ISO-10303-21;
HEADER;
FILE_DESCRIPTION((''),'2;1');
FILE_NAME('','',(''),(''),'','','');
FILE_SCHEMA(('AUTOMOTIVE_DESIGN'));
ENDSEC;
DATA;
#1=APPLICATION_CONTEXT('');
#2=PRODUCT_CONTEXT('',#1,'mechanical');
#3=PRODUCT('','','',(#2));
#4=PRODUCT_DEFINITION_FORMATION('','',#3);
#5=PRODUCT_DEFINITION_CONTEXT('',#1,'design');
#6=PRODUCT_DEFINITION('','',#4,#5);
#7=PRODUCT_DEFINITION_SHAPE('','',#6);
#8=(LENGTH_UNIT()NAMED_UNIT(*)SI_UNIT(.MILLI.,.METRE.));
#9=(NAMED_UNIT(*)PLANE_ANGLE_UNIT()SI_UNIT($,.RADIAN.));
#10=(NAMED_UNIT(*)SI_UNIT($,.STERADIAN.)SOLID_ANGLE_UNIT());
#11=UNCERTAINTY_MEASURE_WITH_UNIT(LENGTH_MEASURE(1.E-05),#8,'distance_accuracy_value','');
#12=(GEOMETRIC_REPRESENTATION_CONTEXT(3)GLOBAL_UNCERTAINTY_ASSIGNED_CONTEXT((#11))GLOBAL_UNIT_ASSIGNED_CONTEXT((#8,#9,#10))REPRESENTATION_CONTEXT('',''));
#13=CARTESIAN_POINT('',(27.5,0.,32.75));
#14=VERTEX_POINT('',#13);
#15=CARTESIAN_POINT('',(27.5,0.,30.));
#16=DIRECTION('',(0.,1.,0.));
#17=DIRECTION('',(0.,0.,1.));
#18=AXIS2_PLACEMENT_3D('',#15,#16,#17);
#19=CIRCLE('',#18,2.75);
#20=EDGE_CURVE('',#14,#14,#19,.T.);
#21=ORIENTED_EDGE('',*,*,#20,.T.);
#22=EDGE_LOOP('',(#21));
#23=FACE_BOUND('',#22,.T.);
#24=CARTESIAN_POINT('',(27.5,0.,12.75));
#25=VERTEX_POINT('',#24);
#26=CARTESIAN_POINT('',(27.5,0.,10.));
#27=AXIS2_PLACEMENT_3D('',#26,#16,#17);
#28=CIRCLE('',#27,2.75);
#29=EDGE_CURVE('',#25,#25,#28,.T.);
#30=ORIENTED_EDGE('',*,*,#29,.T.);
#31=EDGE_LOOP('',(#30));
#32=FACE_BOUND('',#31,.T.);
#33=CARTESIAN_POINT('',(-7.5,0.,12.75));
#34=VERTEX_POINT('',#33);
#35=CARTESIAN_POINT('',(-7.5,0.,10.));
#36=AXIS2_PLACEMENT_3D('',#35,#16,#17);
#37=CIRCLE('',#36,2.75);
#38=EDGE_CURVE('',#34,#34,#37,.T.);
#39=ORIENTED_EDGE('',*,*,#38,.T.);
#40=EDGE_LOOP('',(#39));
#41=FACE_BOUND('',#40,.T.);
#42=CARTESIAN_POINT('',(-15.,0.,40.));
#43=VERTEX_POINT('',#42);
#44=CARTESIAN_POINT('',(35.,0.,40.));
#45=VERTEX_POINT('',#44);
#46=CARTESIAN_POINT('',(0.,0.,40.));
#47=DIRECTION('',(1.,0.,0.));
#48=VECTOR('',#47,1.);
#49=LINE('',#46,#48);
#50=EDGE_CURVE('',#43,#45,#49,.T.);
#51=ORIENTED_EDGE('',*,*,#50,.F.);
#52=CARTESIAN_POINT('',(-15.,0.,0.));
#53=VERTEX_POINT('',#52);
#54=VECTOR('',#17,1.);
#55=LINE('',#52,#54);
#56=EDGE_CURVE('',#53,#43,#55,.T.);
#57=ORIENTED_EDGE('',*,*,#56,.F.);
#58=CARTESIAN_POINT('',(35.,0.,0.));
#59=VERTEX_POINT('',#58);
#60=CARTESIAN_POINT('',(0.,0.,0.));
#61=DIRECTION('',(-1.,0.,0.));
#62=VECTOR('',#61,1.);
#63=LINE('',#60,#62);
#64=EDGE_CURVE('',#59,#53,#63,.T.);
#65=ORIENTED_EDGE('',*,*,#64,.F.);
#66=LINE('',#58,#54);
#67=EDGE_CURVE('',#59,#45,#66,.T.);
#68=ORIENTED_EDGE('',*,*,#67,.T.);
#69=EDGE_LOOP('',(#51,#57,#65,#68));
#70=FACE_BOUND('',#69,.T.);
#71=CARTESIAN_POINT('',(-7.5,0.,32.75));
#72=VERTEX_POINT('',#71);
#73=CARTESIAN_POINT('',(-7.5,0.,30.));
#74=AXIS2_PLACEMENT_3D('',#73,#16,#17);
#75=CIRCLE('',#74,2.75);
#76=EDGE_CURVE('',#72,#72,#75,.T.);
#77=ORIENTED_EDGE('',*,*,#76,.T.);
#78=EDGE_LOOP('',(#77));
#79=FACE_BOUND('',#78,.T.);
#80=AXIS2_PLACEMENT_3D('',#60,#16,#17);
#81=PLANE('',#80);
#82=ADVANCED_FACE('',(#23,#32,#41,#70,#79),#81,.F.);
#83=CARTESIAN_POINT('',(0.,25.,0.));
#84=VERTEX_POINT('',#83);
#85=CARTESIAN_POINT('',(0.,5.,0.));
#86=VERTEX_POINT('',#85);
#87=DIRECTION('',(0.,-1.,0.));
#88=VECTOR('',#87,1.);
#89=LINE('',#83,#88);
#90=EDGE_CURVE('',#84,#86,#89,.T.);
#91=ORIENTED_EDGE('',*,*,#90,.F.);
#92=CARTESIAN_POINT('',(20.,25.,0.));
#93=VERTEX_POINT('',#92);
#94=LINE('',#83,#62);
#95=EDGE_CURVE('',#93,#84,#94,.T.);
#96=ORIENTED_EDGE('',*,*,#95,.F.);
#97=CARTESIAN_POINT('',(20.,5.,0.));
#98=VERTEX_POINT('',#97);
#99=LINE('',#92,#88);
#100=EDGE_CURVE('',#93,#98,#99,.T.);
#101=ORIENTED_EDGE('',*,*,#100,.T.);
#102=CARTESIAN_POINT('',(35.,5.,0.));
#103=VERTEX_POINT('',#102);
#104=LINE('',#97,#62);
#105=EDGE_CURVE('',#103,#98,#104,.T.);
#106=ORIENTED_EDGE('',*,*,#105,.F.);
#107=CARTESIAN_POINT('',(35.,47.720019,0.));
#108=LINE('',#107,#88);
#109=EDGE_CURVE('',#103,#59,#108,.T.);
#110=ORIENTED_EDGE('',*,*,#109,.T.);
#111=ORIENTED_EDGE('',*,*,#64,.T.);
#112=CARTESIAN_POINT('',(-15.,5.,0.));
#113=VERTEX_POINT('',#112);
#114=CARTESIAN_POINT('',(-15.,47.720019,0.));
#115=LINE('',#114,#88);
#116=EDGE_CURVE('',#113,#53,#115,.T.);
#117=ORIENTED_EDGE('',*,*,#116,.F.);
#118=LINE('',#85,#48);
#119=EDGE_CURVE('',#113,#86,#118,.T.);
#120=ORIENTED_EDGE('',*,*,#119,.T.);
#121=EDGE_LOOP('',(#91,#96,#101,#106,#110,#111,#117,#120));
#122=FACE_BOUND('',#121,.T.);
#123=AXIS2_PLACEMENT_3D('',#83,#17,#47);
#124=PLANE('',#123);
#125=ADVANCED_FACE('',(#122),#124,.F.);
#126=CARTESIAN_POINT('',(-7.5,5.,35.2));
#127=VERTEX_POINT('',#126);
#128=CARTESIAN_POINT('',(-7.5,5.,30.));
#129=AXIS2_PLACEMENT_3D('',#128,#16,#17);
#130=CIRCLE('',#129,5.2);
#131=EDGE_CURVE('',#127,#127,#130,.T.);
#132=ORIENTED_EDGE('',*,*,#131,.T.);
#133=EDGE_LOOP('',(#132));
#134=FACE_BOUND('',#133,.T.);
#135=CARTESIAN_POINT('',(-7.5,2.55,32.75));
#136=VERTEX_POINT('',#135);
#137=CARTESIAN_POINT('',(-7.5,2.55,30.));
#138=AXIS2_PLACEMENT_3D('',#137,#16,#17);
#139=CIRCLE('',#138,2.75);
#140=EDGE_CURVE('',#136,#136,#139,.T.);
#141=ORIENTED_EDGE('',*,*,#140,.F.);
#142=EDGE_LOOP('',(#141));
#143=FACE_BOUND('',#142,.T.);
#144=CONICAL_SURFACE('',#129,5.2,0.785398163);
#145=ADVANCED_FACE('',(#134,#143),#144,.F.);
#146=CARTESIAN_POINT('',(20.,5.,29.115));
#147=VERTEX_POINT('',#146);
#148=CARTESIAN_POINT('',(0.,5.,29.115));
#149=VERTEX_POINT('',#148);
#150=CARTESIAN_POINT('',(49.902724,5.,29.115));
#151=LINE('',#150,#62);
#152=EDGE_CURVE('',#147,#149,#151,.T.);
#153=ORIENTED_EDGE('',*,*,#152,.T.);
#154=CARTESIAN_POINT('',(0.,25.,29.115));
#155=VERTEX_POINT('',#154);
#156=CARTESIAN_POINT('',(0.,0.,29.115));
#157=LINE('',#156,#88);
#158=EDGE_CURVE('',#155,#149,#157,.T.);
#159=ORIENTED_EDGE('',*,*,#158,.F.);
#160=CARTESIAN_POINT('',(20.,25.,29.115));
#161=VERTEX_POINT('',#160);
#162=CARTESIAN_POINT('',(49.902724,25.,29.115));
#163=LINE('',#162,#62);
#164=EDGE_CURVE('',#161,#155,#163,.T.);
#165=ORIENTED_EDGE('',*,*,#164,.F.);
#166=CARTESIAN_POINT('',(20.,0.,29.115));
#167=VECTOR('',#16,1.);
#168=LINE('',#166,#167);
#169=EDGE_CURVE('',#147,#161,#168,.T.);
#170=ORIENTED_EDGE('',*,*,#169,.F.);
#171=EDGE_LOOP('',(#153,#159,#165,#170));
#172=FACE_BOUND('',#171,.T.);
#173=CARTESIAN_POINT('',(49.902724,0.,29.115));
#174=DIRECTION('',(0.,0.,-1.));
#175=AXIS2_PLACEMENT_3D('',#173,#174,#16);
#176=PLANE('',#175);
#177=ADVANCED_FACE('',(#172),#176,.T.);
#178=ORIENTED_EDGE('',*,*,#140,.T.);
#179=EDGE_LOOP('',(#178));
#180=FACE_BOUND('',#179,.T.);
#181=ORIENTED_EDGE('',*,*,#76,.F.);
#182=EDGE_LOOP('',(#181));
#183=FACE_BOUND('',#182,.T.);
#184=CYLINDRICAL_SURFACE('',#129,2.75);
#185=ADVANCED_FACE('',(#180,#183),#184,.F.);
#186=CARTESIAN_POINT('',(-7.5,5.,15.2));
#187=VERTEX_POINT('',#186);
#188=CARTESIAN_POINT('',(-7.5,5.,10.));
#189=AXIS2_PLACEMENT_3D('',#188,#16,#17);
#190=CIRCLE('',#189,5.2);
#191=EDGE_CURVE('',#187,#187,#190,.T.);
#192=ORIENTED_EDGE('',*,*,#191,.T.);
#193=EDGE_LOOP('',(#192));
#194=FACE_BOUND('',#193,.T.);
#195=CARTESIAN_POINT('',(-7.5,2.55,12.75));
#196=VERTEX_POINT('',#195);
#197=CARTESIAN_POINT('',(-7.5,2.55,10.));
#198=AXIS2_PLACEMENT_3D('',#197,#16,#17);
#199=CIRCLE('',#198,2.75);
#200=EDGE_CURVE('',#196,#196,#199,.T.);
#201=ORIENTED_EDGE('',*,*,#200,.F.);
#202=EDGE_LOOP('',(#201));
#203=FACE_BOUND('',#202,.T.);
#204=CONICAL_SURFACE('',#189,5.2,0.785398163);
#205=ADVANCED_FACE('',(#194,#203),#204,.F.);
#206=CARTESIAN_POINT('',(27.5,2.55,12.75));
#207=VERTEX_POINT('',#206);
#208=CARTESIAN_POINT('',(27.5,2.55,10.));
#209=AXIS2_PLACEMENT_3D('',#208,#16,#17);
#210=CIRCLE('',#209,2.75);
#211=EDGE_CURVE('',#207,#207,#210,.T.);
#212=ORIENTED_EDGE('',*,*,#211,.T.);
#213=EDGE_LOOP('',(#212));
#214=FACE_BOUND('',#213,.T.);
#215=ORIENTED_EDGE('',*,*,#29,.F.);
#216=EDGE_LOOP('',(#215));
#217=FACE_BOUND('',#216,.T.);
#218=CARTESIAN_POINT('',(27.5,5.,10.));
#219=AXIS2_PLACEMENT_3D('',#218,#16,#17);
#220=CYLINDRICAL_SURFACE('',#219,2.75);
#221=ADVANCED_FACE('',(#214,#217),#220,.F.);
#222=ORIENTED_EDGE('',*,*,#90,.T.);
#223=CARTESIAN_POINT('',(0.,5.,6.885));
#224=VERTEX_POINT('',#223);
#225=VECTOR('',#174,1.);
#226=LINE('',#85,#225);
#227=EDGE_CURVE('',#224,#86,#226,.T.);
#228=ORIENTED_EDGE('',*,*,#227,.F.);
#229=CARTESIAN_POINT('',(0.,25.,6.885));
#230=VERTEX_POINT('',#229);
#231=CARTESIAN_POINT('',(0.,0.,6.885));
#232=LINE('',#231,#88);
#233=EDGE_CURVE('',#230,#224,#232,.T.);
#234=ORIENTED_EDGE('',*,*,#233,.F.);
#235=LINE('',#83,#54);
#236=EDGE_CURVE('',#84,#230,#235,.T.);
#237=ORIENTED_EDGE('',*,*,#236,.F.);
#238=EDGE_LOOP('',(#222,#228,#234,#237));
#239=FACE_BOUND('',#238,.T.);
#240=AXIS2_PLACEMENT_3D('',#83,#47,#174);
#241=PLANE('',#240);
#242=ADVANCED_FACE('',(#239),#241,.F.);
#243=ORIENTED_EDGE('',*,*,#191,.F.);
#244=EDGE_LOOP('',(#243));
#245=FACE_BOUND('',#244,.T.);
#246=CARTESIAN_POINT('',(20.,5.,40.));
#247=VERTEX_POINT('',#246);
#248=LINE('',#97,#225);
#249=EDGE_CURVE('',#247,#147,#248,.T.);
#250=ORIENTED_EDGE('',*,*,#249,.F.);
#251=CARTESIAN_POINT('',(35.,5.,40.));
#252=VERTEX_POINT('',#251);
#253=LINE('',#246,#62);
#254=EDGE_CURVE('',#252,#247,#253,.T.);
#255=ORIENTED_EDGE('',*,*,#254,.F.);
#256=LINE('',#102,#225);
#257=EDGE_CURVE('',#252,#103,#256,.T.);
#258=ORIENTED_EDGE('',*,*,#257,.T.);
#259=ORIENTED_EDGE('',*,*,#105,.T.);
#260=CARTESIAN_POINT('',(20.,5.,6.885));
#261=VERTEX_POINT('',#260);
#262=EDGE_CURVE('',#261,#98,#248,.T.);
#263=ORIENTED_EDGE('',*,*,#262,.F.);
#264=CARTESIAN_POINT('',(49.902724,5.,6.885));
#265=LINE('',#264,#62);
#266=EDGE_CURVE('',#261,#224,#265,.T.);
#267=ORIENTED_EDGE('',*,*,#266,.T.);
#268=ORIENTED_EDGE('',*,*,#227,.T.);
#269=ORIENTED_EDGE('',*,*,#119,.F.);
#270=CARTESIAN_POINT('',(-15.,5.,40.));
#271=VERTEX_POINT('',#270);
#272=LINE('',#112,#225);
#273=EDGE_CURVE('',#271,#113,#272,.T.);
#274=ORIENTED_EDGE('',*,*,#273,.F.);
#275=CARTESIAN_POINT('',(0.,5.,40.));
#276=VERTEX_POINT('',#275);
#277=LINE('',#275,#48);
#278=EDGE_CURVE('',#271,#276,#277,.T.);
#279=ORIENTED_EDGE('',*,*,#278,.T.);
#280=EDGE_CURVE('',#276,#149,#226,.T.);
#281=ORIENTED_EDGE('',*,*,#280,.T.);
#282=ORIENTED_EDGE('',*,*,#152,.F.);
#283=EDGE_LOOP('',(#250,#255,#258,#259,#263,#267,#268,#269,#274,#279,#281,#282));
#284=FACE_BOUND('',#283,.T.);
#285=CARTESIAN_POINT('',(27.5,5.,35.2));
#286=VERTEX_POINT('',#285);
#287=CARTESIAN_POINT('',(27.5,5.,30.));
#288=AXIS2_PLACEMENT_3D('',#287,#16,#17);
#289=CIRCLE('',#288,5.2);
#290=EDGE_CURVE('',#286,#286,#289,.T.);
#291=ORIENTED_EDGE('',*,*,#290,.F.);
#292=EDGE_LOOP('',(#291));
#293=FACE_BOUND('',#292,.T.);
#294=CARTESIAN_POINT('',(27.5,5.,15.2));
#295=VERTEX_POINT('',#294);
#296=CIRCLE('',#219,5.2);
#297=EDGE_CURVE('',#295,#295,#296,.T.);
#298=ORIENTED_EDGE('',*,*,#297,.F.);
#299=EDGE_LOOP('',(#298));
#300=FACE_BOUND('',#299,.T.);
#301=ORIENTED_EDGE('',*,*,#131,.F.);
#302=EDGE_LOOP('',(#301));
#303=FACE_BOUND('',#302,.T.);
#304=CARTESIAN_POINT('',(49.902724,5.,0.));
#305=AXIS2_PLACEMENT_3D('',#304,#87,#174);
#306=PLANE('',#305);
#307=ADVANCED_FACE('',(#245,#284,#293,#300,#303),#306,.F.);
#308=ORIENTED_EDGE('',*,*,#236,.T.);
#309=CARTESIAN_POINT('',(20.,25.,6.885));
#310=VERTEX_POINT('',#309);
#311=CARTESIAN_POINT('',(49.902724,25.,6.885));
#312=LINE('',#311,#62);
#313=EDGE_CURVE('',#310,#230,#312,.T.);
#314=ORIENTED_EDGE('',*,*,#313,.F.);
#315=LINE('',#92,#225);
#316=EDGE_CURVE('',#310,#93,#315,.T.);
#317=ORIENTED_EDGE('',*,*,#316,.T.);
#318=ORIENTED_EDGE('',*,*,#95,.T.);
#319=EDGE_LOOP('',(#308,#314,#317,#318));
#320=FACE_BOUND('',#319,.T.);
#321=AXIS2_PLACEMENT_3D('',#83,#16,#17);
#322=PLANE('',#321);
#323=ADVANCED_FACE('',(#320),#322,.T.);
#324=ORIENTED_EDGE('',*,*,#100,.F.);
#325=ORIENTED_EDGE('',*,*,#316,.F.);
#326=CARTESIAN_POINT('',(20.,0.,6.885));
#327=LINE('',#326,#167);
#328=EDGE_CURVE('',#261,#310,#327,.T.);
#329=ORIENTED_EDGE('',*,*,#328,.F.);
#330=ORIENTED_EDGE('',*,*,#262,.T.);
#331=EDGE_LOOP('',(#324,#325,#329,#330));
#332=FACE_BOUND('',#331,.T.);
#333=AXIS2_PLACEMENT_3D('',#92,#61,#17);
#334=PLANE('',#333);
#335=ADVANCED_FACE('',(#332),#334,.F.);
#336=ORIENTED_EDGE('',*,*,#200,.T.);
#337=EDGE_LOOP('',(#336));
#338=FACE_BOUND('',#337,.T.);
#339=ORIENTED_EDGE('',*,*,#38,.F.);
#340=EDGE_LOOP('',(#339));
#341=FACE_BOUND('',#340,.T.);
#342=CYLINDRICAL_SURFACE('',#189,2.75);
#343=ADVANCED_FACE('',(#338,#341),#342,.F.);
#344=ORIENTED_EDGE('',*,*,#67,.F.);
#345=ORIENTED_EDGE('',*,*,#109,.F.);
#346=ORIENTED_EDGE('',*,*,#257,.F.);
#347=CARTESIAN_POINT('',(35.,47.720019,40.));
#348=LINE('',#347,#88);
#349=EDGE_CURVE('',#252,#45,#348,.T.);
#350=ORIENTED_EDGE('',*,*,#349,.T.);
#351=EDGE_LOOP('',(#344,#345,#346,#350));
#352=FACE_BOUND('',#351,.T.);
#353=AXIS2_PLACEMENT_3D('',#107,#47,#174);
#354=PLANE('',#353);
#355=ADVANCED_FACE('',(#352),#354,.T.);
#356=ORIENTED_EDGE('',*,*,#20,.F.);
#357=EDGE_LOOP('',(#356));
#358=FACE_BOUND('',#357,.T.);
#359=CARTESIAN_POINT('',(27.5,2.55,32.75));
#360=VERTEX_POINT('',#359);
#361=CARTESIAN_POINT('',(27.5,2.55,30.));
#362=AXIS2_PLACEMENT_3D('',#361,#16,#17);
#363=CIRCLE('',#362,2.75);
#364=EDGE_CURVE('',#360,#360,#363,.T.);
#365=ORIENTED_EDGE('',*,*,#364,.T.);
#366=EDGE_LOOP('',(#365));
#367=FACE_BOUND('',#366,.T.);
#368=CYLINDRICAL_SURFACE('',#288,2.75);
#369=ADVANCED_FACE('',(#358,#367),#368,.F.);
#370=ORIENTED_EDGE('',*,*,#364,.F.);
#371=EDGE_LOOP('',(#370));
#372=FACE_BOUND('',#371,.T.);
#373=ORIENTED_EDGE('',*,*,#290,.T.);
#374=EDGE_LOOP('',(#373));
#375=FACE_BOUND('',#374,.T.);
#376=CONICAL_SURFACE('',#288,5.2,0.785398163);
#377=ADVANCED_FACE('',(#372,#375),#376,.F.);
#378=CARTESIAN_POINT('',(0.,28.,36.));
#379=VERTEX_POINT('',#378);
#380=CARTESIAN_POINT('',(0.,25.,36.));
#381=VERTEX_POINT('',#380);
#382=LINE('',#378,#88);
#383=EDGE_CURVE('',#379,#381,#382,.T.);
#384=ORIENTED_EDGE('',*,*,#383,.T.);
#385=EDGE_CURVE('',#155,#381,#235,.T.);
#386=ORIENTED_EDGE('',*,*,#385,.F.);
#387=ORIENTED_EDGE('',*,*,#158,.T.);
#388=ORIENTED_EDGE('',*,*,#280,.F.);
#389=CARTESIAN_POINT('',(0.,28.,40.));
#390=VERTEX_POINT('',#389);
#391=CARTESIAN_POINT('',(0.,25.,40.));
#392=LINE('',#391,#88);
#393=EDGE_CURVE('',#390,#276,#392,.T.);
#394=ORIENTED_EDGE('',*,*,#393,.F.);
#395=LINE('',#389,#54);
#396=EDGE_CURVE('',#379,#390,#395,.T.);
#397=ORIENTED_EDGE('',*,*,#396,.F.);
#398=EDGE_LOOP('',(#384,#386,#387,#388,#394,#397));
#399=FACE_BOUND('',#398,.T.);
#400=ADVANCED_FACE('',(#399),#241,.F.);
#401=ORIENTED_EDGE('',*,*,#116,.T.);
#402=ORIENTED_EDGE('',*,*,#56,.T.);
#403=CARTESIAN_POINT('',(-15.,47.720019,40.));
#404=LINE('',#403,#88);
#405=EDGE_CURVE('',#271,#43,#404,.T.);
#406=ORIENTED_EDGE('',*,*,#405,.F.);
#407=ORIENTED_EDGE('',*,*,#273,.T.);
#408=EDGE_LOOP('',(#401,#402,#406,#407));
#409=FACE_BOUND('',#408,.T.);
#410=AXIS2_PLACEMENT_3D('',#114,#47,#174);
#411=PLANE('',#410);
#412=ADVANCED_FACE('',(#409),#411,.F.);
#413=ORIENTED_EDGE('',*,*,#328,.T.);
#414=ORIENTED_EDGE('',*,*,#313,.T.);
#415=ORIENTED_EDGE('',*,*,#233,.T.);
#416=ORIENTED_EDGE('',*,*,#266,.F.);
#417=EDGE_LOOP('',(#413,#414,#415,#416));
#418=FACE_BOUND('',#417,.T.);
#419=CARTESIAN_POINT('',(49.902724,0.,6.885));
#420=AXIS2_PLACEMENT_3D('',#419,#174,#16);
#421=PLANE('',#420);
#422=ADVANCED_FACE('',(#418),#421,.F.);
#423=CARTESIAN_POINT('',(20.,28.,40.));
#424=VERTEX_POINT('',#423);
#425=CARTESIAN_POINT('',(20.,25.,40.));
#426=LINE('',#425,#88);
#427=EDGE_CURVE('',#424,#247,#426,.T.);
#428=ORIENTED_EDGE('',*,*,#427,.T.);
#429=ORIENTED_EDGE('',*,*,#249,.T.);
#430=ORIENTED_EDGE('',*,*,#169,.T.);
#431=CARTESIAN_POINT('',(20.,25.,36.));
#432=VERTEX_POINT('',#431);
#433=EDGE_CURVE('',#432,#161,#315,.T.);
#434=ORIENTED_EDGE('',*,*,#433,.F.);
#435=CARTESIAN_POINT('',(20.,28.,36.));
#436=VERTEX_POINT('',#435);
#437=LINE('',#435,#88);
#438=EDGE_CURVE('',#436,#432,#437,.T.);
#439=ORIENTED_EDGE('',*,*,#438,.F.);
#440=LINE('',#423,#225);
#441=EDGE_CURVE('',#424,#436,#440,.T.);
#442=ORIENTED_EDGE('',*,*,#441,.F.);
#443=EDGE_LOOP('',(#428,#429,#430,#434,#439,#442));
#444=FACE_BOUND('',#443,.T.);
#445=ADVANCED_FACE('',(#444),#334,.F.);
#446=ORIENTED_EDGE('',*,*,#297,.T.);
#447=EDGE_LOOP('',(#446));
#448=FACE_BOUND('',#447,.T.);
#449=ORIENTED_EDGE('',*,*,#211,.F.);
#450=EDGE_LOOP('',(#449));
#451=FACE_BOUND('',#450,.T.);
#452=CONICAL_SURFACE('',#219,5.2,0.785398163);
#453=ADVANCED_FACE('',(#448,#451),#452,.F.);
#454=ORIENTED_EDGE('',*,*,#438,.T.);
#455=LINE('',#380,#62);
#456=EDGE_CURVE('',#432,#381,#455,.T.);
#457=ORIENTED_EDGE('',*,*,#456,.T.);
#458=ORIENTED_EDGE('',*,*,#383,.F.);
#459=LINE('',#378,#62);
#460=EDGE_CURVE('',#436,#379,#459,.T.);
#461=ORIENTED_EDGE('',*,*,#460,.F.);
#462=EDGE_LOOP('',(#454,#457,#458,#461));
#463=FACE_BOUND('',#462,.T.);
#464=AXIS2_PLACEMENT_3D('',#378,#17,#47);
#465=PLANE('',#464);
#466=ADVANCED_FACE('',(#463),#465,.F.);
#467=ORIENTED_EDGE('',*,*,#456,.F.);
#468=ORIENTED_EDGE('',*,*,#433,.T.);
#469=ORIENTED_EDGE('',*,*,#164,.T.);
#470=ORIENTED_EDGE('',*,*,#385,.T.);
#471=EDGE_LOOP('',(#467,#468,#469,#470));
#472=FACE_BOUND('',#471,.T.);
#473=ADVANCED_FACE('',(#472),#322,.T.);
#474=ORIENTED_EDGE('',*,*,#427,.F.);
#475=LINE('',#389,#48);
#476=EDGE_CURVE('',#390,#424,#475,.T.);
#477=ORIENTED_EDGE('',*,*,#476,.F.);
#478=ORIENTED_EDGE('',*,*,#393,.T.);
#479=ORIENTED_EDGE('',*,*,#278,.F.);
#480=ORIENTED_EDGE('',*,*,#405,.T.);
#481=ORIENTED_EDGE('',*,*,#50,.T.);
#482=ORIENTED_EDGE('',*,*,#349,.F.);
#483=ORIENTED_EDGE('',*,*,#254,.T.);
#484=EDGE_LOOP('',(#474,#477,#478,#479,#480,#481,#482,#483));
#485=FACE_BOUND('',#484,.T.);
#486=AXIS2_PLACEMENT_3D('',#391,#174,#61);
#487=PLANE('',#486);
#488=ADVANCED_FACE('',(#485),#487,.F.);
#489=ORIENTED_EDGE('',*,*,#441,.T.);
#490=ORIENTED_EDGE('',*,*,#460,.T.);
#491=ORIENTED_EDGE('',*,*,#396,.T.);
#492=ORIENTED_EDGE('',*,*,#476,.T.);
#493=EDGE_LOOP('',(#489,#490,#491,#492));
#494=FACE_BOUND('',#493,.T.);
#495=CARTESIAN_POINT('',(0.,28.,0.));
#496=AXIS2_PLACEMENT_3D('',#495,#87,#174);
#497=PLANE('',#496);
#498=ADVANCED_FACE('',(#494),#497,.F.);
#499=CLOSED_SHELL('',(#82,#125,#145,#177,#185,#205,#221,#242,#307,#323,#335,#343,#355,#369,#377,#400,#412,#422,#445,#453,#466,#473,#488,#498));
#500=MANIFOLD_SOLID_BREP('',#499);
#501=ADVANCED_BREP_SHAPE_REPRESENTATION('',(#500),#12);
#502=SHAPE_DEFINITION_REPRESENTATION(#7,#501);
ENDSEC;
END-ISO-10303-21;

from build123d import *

# Parameters (mm, degrees)
SKETCH1_W                                    = 20
SKETCH1_H                                    = 40
BOSS_EXTRUDE1_DEPTH                          = 25
SKETCH2_W                                    = 20
SKETCH2_H                                    = 4
BOSS_EXTRUDE2_DEPTH                          = 3
SKETCH3_W                                    = 22.23
SKETCH3_H                                    = 20
CUT_EXTRUDE1_DEPTH                           = 20
SKETCH4_W                                    = 15
SKETCH4_H                                    = 40
BOSS_EXTRUDE3_DEPTH                          = 5
CSK_FOR_M5_COUNTERSUNK_FLAT_HEAD_SCR_2_COUNT = 2
CSK_FOR_M5_COUNTERSUNK_FLAT_HEAD_SCR_2_PITCH = 20


with BuildPart() as part:
    # Sketch1 → Boss-Extrude1 (new body)
    with BuildSketch(Plane(origin=(0, 0, 0), x_dir=(1, 0, 0), z_dir=(0, 1, 0))):
        with Locations((10, -20)):
            Rectangle(SKETCH1_W, SKETCH1_H)
    extrude(amount=BOSS_EXTRUDE1_DEPTH)

    # Sketch2 → Boss-Extrude2 (add)
    with BuildSketch(Plane(origin=(0, 25, 0), x_dir=(1, 0, 0), z_dir=(0, 1, 0))):
        with Locations((10, -38)):
            Rectangle(SKETCH2_W, SKETCH2_H)
    extrude(amount=BOSS_EXTRUDE2_DEPTH)

    # Sketch3 → Cut-Extrude1 (cut)
    with BuildSketch(Plane.ZY):
        with Locations((18, 15)):
            Rectangle(SKETCH3_W, SKETCH3_H)
    extrude(amount=-CUT_EXTRUDE1_DEPTH, mode=Mode.SUBTRACT)

    # Sketch4 → Boss-Extrude3 (add)
    with BuildSketch(Plane(origin=(0, 0, 0), x_dir=(1, 0, 0), z_dir=(0, 1, 0))):
        with Locations((-7.5, -20)):
            Rectangle(SKETCH4_W, SKETCH4_H)
    boss_extrude3 = extrude(amount=BOSS_EXTRUDE3_DEPTH)

    # Sketch8 → CSK for M5 Countersunk Flat Head Screw1 (revolve, cut)
    with BuildSketch(Plane(origin=(-7.5, 5, 10), x_dir=(0, 0, 1), z_dir=(1, 0, 0))):
        Polygon((0, 0), (0, 5), (2.75, 5), (2.75, 2.45), (5.2, 0), align=None)
    csk_for_m5_countersunk_flat_head_screw1 = revolve(axis=Axis((-7.5, 11.35, 10), (0, -1, 0)), mode=Mode.SUBTRACT)

    # CSK for M5 Countersunk Flat Head Scr 2: CSK for M5 Countersunk Flat Head Screw1 ×2
    with Locations(*[(0, 0, i * CSK_FOR_M5_COUNTERSUNK_FLAT_HEAD_SCR_2_PITCH) for i in range(1, CSK_FOR_M5_COUNTERSUNK_FLAT_HEAD_SCR_2_COUNT)]):
        add(csk_for_m5_countersunk_flat_head_screw1, mode=Mode.SUBTRACT)

    # Mirror1: Boss-Extrude3, CSK for M5 Countersunk Flat Head Screw1 across plane
    add(boss_extrude3.mirror(Plane.ZY.offset(-10)))
    add(csk_for_m5_countersunk_flat_head_screw1.mirror(Plane.ZY.offset(-10)), mode=Mode.SUBTRACT)

    # Mirror1 copy 1 sketch → Mirror1 copy 1 (revolve, cut)
    with BuildSketch(Plane(origin=(27.5, 5, 30), x_dir=(0, 0, 1), z_dir=(-1, 0, 0))):
        Polygon((0, 0), (0, -5), (2.75, -5), (2.75, -2.45), (5.2, 0), align=None)
    revolve(axis=Axis((27.5, 11.35, 30), (0, 1, 0)), mode=Mode.SUBTRACT)


solid = part.part
